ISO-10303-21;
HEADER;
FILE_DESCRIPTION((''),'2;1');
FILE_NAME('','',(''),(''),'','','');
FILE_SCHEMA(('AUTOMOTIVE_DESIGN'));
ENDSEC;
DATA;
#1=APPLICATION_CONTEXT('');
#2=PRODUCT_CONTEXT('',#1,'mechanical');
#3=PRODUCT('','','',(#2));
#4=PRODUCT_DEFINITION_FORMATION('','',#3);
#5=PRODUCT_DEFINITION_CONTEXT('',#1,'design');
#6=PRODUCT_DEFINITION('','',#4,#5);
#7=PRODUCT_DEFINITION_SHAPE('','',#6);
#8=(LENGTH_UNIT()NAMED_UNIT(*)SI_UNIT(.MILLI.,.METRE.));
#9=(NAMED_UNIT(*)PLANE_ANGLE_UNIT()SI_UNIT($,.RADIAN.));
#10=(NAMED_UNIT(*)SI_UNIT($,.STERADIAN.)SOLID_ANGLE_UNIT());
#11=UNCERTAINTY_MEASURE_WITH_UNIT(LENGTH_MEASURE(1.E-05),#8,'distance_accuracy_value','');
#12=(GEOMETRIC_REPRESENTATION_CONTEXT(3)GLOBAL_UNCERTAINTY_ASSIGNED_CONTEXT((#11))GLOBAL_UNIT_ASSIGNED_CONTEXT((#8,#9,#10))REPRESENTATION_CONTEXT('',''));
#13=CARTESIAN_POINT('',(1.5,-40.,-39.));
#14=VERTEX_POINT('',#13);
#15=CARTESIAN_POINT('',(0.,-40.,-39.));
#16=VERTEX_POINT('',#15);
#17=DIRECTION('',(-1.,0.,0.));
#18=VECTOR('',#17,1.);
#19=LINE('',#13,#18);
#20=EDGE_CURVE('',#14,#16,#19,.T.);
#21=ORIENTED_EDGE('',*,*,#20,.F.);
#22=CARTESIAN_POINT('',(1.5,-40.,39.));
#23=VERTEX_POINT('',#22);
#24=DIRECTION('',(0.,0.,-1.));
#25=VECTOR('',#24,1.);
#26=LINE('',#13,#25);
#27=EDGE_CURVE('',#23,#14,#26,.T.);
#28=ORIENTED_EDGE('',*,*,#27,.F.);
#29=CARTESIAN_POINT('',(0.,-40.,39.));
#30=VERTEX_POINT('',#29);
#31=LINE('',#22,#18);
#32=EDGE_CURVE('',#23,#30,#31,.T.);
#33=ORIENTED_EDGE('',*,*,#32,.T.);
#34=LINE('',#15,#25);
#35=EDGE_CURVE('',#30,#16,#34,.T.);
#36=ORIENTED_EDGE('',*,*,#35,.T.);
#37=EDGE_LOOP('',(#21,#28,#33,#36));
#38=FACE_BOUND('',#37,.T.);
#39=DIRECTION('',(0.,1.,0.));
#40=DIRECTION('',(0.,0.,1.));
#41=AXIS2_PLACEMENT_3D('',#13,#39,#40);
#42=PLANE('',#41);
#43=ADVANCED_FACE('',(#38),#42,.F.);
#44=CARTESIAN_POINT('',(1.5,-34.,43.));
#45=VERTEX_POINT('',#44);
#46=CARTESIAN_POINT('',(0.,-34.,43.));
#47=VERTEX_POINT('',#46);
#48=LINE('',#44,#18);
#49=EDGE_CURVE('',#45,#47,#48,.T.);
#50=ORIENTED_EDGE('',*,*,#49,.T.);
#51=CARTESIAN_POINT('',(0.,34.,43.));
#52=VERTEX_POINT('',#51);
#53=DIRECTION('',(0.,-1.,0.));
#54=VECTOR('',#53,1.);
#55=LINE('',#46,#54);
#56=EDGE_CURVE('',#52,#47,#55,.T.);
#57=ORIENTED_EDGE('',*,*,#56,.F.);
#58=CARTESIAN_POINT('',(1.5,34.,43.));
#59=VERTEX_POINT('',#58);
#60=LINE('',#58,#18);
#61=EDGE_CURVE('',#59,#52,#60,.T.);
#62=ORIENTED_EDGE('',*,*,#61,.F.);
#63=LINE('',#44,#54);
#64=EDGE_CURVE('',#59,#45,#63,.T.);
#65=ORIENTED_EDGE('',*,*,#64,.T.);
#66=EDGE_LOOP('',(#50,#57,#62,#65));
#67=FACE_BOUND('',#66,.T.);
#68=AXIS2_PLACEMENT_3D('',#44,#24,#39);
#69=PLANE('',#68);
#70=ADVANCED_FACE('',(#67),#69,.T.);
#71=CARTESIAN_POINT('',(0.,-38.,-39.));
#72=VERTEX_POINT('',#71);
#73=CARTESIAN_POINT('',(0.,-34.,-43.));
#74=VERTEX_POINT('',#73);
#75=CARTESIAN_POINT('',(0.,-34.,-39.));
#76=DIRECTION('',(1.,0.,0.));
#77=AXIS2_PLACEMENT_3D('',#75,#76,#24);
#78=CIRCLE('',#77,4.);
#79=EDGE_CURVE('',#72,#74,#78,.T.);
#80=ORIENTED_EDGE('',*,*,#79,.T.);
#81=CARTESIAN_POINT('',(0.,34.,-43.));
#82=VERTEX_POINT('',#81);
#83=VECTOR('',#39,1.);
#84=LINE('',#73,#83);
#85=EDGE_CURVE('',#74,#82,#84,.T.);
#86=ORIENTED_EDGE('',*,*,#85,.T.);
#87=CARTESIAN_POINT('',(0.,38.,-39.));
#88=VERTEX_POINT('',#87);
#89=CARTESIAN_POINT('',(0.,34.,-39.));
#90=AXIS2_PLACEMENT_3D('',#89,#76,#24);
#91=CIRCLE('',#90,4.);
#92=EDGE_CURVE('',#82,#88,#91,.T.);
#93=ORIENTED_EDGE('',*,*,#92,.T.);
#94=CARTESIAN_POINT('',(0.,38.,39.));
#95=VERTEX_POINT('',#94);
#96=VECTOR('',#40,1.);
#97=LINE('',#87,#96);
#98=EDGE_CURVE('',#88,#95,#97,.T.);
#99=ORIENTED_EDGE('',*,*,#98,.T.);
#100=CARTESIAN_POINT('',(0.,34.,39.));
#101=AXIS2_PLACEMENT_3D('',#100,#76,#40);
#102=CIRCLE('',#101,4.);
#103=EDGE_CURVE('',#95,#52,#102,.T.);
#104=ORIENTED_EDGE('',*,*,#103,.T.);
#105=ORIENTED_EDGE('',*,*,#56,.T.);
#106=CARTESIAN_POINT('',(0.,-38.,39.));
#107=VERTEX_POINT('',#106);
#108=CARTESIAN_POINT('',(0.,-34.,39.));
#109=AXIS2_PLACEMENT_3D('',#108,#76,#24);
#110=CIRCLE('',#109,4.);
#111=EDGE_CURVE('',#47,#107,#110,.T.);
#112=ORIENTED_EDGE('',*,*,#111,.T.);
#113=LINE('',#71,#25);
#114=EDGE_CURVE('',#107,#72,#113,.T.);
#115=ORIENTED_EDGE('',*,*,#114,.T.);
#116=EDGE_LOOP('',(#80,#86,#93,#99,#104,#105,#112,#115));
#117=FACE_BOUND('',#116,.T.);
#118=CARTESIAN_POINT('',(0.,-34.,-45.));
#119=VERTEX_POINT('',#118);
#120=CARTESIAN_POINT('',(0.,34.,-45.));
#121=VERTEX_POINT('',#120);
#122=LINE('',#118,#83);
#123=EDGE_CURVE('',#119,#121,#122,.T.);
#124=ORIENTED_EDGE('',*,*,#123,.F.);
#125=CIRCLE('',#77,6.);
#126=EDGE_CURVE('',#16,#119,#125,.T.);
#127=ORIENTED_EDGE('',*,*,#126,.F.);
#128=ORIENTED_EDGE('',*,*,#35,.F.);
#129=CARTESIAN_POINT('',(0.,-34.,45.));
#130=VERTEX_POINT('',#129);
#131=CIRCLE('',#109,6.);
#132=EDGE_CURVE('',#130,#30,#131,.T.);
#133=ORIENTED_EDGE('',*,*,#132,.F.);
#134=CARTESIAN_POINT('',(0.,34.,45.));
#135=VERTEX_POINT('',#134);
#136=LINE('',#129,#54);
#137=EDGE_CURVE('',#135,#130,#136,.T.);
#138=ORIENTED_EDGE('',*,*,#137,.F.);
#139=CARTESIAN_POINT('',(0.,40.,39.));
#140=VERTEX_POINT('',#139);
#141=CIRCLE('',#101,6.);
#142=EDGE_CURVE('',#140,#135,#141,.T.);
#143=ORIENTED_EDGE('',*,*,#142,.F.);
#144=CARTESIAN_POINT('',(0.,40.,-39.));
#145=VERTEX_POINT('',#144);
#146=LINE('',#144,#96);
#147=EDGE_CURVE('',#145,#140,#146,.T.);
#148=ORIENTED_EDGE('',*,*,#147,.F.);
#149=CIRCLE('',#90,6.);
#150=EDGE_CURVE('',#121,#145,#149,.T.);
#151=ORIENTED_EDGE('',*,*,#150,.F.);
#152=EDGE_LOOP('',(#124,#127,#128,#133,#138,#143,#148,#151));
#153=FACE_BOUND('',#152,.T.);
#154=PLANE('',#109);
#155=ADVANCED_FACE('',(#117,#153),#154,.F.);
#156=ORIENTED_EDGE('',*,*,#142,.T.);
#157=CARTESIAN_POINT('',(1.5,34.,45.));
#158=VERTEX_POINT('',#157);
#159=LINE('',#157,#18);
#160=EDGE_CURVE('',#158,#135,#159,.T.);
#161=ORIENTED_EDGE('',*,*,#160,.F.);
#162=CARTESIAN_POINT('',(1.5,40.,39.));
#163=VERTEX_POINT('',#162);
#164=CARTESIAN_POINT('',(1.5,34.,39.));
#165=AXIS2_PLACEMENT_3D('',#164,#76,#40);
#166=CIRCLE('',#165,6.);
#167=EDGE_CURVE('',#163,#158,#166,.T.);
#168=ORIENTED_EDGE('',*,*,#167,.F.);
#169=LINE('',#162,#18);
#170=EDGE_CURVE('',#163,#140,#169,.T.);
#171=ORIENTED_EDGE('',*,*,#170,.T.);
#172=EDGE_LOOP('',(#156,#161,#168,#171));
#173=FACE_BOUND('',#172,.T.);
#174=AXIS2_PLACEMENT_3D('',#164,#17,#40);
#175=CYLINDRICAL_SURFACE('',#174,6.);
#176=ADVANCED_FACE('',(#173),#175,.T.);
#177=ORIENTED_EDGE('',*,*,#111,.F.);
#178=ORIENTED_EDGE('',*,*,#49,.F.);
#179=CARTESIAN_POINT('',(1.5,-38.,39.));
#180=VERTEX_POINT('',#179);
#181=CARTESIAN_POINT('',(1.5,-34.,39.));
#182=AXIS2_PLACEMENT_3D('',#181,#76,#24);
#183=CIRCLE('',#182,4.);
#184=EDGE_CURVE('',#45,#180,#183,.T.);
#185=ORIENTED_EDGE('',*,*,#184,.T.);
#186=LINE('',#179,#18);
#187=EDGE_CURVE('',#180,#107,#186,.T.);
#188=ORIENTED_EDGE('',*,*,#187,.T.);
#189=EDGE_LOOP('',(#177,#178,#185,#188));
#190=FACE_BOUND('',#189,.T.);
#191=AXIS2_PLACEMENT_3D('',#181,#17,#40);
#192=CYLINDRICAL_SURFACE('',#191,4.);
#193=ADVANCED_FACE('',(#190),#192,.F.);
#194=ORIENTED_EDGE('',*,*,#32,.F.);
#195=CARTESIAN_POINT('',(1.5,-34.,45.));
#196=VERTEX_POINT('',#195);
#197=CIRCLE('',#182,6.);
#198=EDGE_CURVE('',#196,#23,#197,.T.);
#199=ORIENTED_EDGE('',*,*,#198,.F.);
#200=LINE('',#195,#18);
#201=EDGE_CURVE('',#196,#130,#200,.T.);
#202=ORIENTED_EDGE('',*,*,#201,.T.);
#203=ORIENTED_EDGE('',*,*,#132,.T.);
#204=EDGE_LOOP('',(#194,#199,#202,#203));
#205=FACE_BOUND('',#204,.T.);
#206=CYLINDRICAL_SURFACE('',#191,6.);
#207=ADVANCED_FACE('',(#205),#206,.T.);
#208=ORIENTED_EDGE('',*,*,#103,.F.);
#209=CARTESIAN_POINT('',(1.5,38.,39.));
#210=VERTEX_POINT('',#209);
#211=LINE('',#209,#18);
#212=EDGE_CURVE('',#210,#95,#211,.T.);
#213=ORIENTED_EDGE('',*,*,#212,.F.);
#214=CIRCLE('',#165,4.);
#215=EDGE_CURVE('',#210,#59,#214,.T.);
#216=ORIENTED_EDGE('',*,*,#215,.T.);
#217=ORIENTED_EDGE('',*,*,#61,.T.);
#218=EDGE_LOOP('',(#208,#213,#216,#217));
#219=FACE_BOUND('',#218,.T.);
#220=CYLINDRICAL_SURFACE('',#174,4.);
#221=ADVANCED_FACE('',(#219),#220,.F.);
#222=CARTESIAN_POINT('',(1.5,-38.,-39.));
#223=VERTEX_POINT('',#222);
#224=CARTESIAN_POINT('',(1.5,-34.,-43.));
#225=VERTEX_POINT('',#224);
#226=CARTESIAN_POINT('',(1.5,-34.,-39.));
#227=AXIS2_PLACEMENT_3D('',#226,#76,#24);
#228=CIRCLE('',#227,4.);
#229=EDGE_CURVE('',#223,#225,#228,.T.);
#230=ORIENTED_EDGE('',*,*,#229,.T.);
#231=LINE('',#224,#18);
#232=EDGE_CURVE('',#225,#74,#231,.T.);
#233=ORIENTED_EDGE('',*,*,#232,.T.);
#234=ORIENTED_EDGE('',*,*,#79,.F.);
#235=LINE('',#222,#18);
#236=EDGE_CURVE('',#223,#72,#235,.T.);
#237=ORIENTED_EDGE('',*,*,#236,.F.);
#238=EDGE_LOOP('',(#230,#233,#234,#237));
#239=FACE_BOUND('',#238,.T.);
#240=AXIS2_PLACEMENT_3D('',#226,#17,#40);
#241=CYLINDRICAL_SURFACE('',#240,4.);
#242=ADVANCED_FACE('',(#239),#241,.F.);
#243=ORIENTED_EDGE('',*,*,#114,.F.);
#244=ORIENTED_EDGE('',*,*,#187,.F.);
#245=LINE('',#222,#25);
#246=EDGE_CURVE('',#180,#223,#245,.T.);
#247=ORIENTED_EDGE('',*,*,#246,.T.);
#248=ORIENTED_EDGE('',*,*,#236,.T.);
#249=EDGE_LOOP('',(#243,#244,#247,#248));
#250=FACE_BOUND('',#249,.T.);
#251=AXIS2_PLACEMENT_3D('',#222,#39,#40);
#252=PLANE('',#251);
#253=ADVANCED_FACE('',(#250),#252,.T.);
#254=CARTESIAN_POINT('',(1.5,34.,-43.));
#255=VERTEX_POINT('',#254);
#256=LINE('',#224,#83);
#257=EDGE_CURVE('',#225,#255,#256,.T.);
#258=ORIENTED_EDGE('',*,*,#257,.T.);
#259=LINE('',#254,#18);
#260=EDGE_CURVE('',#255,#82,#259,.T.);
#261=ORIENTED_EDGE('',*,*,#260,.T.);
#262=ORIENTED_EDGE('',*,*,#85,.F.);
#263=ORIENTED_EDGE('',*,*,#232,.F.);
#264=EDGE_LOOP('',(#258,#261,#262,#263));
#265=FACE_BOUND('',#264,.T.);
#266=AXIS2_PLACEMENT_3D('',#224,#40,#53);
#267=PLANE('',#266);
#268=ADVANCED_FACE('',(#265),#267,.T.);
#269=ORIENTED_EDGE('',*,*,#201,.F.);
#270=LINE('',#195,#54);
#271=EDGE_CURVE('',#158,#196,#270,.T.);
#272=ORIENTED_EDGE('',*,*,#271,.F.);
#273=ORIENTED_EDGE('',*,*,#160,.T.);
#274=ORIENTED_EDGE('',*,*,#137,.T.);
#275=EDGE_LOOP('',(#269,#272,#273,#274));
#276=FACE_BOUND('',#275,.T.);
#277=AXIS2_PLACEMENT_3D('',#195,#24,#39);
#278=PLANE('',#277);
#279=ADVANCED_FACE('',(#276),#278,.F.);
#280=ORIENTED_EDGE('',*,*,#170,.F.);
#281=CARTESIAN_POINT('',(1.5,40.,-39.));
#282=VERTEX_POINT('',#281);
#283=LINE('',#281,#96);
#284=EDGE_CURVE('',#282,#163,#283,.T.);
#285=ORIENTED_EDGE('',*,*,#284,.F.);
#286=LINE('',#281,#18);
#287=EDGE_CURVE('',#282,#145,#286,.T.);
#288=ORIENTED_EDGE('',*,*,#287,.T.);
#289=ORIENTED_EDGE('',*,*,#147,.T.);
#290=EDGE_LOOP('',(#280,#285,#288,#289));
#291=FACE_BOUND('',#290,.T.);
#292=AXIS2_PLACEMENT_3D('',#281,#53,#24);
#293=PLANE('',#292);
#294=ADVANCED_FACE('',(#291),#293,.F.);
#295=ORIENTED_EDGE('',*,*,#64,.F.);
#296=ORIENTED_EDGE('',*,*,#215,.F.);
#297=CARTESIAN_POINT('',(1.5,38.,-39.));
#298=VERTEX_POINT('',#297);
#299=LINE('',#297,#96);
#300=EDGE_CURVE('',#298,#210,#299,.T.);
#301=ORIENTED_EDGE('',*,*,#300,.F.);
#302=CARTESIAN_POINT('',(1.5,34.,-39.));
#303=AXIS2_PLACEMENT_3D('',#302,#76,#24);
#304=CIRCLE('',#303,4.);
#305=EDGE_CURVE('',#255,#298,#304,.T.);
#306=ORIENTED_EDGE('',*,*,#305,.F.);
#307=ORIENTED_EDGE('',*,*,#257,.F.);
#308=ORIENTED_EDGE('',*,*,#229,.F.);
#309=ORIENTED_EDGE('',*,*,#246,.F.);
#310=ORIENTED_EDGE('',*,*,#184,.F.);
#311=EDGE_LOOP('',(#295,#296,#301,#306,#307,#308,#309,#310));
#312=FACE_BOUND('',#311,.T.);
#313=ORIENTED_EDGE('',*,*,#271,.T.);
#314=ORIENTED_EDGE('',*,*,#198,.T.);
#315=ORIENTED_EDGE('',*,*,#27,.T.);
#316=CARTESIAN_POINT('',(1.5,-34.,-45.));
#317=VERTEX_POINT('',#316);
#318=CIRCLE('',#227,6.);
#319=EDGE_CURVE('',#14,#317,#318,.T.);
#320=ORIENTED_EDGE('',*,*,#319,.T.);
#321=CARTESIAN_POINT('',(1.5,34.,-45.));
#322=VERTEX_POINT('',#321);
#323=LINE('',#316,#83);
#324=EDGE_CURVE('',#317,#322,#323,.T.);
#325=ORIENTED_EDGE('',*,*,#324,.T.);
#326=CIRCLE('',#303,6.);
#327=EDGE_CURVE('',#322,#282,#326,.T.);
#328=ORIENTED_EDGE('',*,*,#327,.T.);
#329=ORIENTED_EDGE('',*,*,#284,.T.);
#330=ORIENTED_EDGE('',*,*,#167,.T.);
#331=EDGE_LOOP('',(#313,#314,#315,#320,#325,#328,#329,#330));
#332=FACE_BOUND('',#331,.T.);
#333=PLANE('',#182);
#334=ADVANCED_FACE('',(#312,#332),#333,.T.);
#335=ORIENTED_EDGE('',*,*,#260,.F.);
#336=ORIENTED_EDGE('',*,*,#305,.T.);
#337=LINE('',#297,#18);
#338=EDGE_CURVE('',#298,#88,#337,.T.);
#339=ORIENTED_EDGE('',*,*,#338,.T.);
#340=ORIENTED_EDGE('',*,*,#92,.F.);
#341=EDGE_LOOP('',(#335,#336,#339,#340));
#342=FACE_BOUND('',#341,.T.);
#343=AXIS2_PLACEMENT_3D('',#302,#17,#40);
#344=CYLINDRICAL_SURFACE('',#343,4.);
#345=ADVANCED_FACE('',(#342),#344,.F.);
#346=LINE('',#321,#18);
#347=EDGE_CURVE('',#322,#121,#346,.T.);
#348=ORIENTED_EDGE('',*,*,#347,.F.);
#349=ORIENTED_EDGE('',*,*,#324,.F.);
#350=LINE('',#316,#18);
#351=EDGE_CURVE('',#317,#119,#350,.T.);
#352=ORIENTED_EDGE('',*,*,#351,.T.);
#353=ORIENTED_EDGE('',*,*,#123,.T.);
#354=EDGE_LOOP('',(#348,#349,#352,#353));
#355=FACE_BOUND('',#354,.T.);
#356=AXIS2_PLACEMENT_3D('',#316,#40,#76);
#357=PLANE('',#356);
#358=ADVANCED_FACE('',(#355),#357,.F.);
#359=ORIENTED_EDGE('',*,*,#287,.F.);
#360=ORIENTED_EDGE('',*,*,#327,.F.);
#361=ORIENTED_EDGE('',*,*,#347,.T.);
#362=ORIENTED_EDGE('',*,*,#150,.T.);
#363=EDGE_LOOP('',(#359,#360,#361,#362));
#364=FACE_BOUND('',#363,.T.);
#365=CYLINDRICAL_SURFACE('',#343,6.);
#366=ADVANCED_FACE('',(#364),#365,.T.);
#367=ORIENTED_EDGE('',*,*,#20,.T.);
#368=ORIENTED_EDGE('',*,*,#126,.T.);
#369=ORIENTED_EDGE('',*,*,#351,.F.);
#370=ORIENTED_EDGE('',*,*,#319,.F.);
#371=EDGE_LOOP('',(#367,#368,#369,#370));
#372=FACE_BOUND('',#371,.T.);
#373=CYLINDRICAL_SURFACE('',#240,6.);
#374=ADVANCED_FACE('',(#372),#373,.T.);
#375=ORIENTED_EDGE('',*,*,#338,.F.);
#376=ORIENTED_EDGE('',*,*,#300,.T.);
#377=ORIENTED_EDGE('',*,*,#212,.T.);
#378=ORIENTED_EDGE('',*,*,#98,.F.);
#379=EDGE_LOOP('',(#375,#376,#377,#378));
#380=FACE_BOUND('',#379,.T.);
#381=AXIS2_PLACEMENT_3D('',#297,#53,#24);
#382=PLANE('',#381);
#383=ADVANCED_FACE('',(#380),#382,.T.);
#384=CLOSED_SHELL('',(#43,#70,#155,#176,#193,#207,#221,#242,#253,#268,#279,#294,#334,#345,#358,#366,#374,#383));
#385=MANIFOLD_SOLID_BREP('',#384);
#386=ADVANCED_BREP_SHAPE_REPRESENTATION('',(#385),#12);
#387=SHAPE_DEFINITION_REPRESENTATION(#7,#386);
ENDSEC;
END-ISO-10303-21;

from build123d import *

# Parameters (mm, degrees)
BOSS_EXTRUDE1_DEPTH = 1.5


with BuildPart() as part:
    # Sketch1 → Boss-Extrude1 (new body)
    with BuildSketch(Plane(origin=(0, 0, 0), x_dir=(0, 0, -1), z_dir=(1, 0, 0))):
        with BuildLine():
            Line((39, -40), (-39, -40))
            ThreePointArc((-39, -40), (-43.242640687, -38.242640687), (-45, -34))
            Line((-45, -34), (-45, 34))
            ThreePointArc((-45, 34), (-43.242640687, 38.242640687), (-39, 40))
            Line((-39, 40), (39, 40))
            ThreePointArc((39, 40), (43.242640687, 38.242640687), (45, 34))
            Line((45, 34), (45, -34))
            ThreePointArc((45, -34), (43.242640687, -38.242640687), (39, -40))
        make_face()
        with BuildLine():
            Line((39, 38), (-39, 38))
            ThreePointArc((-39, 38), (-41.828427125, 36.828427125), (-43, 34))
            Line((-43, 34), (-43, -34))
            ThreePointArc((-43, -34), (-41.828427125, -36.828427125), (-39, -38))
            Line((-39, -38), (39, -38))
            ThreePointArc((39, -38), (41.828427125, -36.828427125), (43, -34))
            Line((43, -34), (43, 34))
            ThreePointArc((43, 34), (41.828427125, 36.828427125), (39, 38))
        make_face(mode=Mode.SUBTRACT)
    extrude(amount=BOSS_EXTRUDE1_DEPTH)


solid = part.part
